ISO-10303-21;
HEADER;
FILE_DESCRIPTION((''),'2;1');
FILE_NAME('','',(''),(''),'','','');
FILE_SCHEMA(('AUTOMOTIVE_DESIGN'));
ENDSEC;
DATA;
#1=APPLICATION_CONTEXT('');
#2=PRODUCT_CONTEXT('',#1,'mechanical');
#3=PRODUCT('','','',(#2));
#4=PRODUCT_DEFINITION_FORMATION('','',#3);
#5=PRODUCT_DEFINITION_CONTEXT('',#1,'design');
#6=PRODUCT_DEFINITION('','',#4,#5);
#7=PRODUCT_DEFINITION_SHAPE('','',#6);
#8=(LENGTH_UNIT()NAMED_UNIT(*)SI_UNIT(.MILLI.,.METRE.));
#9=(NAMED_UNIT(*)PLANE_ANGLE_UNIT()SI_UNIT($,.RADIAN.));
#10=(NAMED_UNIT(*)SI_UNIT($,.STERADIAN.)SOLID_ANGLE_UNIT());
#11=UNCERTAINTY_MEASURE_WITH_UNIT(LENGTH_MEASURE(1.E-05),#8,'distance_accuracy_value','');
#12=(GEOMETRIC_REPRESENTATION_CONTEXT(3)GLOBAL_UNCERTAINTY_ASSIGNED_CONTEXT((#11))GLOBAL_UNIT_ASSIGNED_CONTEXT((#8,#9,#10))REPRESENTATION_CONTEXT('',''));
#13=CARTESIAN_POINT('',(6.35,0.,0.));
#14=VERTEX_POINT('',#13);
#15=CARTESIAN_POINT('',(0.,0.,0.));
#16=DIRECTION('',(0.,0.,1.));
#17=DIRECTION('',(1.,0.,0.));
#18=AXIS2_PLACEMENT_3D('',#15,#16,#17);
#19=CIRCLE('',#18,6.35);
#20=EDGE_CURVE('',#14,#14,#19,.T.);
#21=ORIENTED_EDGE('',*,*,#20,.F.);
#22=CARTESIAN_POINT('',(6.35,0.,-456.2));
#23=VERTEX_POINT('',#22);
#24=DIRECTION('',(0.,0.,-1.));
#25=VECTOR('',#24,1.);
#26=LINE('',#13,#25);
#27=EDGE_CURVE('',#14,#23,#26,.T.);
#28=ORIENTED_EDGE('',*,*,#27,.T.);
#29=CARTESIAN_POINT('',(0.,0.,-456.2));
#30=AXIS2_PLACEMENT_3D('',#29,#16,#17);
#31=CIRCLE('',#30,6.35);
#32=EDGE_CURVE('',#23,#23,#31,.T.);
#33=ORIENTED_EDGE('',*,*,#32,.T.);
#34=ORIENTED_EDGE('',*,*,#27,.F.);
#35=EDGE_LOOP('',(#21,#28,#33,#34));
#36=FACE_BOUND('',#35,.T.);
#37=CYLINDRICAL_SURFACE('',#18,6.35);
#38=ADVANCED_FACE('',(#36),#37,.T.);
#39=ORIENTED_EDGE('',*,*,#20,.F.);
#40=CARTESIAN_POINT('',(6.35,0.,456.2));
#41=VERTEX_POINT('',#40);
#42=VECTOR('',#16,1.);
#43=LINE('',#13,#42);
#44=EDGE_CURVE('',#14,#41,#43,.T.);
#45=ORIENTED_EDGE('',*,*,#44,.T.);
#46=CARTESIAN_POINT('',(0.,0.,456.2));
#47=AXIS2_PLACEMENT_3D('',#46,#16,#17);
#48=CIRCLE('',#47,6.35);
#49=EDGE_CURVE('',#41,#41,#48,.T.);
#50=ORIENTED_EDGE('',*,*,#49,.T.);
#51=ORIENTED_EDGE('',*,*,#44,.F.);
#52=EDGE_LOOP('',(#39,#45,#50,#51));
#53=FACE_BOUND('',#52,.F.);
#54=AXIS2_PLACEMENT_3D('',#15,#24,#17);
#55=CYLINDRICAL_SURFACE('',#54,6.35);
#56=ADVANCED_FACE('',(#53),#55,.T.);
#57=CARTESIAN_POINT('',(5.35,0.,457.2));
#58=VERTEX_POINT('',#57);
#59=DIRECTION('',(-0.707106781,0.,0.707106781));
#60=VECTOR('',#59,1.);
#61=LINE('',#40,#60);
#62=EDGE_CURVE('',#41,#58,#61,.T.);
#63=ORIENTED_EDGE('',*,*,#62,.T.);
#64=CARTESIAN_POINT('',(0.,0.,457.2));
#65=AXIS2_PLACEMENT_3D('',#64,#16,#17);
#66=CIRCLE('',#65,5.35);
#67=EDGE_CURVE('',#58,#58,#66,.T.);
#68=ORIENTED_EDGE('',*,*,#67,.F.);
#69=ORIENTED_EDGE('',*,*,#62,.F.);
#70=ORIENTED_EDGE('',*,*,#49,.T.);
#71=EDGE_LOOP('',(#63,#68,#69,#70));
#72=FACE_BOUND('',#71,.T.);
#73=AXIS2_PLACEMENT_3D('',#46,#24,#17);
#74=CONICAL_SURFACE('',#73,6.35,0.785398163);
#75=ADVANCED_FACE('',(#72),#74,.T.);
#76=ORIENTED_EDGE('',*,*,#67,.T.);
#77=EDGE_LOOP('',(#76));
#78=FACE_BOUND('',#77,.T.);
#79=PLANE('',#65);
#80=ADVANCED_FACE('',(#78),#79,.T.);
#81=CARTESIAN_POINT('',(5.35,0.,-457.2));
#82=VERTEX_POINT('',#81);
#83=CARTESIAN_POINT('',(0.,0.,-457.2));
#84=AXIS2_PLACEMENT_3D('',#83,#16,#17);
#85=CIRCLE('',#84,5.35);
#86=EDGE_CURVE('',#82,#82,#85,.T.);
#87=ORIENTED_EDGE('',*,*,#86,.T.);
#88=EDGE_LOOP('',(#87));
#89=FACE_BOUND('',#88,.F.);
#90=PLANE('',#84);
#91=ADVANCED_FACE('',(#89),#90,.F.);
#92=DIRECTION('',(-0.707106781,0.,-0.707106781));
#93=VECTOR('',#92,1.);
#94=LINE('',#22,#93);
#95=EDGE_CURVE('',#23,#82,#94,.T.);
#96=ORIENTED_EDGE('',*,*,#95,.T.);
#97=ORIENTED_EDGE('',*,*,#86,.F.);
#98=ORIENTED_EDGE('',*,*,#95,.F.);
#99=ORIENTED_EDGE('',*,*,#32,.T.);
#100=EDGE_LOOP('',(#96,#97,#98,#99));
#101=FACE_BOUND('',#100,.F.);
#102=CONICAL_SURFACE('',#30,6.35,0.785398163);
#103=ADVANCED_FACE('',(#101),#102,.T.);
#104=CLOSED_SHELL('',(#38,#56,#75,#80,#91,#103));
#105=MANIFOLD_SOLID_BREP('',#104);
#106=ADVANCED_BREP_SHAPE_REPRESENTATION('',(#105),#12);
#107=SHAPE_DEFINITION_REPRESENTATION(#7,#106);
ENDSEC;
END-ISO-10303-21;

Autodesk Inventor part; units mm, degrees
ref_plane "YZ Plane" through (0, 0, 0) normal (1, 0, 0) x (0, 1, 0)
ref_plane "XZ Plane" through (0, 0, 0) normal (0, 1, 0) x (-1, 0, 0)
ref_plane "XY Plane" through (0, 0, 0) normal (0, 0, 1) x (1, 0, 0)
sketch "Sketch1" plane through (0, 0, 0) normal (0, 0, 1) x (1, 0, 0)
  circle A0 centre (0, 0) radius 6.35
  dimension "d0" = 12.7
extrude "Extrusion1" add sketch "Sketch1" along normal mid plane 914.4
chamfer "Chamfer1" distance 1 angle 45 2 edges at (-6.35, 0, 457.2) (-6.35, 0, -457.2)
properties part number "2315_Shaft_V1" material "Stainless Steel, Austenitic"
